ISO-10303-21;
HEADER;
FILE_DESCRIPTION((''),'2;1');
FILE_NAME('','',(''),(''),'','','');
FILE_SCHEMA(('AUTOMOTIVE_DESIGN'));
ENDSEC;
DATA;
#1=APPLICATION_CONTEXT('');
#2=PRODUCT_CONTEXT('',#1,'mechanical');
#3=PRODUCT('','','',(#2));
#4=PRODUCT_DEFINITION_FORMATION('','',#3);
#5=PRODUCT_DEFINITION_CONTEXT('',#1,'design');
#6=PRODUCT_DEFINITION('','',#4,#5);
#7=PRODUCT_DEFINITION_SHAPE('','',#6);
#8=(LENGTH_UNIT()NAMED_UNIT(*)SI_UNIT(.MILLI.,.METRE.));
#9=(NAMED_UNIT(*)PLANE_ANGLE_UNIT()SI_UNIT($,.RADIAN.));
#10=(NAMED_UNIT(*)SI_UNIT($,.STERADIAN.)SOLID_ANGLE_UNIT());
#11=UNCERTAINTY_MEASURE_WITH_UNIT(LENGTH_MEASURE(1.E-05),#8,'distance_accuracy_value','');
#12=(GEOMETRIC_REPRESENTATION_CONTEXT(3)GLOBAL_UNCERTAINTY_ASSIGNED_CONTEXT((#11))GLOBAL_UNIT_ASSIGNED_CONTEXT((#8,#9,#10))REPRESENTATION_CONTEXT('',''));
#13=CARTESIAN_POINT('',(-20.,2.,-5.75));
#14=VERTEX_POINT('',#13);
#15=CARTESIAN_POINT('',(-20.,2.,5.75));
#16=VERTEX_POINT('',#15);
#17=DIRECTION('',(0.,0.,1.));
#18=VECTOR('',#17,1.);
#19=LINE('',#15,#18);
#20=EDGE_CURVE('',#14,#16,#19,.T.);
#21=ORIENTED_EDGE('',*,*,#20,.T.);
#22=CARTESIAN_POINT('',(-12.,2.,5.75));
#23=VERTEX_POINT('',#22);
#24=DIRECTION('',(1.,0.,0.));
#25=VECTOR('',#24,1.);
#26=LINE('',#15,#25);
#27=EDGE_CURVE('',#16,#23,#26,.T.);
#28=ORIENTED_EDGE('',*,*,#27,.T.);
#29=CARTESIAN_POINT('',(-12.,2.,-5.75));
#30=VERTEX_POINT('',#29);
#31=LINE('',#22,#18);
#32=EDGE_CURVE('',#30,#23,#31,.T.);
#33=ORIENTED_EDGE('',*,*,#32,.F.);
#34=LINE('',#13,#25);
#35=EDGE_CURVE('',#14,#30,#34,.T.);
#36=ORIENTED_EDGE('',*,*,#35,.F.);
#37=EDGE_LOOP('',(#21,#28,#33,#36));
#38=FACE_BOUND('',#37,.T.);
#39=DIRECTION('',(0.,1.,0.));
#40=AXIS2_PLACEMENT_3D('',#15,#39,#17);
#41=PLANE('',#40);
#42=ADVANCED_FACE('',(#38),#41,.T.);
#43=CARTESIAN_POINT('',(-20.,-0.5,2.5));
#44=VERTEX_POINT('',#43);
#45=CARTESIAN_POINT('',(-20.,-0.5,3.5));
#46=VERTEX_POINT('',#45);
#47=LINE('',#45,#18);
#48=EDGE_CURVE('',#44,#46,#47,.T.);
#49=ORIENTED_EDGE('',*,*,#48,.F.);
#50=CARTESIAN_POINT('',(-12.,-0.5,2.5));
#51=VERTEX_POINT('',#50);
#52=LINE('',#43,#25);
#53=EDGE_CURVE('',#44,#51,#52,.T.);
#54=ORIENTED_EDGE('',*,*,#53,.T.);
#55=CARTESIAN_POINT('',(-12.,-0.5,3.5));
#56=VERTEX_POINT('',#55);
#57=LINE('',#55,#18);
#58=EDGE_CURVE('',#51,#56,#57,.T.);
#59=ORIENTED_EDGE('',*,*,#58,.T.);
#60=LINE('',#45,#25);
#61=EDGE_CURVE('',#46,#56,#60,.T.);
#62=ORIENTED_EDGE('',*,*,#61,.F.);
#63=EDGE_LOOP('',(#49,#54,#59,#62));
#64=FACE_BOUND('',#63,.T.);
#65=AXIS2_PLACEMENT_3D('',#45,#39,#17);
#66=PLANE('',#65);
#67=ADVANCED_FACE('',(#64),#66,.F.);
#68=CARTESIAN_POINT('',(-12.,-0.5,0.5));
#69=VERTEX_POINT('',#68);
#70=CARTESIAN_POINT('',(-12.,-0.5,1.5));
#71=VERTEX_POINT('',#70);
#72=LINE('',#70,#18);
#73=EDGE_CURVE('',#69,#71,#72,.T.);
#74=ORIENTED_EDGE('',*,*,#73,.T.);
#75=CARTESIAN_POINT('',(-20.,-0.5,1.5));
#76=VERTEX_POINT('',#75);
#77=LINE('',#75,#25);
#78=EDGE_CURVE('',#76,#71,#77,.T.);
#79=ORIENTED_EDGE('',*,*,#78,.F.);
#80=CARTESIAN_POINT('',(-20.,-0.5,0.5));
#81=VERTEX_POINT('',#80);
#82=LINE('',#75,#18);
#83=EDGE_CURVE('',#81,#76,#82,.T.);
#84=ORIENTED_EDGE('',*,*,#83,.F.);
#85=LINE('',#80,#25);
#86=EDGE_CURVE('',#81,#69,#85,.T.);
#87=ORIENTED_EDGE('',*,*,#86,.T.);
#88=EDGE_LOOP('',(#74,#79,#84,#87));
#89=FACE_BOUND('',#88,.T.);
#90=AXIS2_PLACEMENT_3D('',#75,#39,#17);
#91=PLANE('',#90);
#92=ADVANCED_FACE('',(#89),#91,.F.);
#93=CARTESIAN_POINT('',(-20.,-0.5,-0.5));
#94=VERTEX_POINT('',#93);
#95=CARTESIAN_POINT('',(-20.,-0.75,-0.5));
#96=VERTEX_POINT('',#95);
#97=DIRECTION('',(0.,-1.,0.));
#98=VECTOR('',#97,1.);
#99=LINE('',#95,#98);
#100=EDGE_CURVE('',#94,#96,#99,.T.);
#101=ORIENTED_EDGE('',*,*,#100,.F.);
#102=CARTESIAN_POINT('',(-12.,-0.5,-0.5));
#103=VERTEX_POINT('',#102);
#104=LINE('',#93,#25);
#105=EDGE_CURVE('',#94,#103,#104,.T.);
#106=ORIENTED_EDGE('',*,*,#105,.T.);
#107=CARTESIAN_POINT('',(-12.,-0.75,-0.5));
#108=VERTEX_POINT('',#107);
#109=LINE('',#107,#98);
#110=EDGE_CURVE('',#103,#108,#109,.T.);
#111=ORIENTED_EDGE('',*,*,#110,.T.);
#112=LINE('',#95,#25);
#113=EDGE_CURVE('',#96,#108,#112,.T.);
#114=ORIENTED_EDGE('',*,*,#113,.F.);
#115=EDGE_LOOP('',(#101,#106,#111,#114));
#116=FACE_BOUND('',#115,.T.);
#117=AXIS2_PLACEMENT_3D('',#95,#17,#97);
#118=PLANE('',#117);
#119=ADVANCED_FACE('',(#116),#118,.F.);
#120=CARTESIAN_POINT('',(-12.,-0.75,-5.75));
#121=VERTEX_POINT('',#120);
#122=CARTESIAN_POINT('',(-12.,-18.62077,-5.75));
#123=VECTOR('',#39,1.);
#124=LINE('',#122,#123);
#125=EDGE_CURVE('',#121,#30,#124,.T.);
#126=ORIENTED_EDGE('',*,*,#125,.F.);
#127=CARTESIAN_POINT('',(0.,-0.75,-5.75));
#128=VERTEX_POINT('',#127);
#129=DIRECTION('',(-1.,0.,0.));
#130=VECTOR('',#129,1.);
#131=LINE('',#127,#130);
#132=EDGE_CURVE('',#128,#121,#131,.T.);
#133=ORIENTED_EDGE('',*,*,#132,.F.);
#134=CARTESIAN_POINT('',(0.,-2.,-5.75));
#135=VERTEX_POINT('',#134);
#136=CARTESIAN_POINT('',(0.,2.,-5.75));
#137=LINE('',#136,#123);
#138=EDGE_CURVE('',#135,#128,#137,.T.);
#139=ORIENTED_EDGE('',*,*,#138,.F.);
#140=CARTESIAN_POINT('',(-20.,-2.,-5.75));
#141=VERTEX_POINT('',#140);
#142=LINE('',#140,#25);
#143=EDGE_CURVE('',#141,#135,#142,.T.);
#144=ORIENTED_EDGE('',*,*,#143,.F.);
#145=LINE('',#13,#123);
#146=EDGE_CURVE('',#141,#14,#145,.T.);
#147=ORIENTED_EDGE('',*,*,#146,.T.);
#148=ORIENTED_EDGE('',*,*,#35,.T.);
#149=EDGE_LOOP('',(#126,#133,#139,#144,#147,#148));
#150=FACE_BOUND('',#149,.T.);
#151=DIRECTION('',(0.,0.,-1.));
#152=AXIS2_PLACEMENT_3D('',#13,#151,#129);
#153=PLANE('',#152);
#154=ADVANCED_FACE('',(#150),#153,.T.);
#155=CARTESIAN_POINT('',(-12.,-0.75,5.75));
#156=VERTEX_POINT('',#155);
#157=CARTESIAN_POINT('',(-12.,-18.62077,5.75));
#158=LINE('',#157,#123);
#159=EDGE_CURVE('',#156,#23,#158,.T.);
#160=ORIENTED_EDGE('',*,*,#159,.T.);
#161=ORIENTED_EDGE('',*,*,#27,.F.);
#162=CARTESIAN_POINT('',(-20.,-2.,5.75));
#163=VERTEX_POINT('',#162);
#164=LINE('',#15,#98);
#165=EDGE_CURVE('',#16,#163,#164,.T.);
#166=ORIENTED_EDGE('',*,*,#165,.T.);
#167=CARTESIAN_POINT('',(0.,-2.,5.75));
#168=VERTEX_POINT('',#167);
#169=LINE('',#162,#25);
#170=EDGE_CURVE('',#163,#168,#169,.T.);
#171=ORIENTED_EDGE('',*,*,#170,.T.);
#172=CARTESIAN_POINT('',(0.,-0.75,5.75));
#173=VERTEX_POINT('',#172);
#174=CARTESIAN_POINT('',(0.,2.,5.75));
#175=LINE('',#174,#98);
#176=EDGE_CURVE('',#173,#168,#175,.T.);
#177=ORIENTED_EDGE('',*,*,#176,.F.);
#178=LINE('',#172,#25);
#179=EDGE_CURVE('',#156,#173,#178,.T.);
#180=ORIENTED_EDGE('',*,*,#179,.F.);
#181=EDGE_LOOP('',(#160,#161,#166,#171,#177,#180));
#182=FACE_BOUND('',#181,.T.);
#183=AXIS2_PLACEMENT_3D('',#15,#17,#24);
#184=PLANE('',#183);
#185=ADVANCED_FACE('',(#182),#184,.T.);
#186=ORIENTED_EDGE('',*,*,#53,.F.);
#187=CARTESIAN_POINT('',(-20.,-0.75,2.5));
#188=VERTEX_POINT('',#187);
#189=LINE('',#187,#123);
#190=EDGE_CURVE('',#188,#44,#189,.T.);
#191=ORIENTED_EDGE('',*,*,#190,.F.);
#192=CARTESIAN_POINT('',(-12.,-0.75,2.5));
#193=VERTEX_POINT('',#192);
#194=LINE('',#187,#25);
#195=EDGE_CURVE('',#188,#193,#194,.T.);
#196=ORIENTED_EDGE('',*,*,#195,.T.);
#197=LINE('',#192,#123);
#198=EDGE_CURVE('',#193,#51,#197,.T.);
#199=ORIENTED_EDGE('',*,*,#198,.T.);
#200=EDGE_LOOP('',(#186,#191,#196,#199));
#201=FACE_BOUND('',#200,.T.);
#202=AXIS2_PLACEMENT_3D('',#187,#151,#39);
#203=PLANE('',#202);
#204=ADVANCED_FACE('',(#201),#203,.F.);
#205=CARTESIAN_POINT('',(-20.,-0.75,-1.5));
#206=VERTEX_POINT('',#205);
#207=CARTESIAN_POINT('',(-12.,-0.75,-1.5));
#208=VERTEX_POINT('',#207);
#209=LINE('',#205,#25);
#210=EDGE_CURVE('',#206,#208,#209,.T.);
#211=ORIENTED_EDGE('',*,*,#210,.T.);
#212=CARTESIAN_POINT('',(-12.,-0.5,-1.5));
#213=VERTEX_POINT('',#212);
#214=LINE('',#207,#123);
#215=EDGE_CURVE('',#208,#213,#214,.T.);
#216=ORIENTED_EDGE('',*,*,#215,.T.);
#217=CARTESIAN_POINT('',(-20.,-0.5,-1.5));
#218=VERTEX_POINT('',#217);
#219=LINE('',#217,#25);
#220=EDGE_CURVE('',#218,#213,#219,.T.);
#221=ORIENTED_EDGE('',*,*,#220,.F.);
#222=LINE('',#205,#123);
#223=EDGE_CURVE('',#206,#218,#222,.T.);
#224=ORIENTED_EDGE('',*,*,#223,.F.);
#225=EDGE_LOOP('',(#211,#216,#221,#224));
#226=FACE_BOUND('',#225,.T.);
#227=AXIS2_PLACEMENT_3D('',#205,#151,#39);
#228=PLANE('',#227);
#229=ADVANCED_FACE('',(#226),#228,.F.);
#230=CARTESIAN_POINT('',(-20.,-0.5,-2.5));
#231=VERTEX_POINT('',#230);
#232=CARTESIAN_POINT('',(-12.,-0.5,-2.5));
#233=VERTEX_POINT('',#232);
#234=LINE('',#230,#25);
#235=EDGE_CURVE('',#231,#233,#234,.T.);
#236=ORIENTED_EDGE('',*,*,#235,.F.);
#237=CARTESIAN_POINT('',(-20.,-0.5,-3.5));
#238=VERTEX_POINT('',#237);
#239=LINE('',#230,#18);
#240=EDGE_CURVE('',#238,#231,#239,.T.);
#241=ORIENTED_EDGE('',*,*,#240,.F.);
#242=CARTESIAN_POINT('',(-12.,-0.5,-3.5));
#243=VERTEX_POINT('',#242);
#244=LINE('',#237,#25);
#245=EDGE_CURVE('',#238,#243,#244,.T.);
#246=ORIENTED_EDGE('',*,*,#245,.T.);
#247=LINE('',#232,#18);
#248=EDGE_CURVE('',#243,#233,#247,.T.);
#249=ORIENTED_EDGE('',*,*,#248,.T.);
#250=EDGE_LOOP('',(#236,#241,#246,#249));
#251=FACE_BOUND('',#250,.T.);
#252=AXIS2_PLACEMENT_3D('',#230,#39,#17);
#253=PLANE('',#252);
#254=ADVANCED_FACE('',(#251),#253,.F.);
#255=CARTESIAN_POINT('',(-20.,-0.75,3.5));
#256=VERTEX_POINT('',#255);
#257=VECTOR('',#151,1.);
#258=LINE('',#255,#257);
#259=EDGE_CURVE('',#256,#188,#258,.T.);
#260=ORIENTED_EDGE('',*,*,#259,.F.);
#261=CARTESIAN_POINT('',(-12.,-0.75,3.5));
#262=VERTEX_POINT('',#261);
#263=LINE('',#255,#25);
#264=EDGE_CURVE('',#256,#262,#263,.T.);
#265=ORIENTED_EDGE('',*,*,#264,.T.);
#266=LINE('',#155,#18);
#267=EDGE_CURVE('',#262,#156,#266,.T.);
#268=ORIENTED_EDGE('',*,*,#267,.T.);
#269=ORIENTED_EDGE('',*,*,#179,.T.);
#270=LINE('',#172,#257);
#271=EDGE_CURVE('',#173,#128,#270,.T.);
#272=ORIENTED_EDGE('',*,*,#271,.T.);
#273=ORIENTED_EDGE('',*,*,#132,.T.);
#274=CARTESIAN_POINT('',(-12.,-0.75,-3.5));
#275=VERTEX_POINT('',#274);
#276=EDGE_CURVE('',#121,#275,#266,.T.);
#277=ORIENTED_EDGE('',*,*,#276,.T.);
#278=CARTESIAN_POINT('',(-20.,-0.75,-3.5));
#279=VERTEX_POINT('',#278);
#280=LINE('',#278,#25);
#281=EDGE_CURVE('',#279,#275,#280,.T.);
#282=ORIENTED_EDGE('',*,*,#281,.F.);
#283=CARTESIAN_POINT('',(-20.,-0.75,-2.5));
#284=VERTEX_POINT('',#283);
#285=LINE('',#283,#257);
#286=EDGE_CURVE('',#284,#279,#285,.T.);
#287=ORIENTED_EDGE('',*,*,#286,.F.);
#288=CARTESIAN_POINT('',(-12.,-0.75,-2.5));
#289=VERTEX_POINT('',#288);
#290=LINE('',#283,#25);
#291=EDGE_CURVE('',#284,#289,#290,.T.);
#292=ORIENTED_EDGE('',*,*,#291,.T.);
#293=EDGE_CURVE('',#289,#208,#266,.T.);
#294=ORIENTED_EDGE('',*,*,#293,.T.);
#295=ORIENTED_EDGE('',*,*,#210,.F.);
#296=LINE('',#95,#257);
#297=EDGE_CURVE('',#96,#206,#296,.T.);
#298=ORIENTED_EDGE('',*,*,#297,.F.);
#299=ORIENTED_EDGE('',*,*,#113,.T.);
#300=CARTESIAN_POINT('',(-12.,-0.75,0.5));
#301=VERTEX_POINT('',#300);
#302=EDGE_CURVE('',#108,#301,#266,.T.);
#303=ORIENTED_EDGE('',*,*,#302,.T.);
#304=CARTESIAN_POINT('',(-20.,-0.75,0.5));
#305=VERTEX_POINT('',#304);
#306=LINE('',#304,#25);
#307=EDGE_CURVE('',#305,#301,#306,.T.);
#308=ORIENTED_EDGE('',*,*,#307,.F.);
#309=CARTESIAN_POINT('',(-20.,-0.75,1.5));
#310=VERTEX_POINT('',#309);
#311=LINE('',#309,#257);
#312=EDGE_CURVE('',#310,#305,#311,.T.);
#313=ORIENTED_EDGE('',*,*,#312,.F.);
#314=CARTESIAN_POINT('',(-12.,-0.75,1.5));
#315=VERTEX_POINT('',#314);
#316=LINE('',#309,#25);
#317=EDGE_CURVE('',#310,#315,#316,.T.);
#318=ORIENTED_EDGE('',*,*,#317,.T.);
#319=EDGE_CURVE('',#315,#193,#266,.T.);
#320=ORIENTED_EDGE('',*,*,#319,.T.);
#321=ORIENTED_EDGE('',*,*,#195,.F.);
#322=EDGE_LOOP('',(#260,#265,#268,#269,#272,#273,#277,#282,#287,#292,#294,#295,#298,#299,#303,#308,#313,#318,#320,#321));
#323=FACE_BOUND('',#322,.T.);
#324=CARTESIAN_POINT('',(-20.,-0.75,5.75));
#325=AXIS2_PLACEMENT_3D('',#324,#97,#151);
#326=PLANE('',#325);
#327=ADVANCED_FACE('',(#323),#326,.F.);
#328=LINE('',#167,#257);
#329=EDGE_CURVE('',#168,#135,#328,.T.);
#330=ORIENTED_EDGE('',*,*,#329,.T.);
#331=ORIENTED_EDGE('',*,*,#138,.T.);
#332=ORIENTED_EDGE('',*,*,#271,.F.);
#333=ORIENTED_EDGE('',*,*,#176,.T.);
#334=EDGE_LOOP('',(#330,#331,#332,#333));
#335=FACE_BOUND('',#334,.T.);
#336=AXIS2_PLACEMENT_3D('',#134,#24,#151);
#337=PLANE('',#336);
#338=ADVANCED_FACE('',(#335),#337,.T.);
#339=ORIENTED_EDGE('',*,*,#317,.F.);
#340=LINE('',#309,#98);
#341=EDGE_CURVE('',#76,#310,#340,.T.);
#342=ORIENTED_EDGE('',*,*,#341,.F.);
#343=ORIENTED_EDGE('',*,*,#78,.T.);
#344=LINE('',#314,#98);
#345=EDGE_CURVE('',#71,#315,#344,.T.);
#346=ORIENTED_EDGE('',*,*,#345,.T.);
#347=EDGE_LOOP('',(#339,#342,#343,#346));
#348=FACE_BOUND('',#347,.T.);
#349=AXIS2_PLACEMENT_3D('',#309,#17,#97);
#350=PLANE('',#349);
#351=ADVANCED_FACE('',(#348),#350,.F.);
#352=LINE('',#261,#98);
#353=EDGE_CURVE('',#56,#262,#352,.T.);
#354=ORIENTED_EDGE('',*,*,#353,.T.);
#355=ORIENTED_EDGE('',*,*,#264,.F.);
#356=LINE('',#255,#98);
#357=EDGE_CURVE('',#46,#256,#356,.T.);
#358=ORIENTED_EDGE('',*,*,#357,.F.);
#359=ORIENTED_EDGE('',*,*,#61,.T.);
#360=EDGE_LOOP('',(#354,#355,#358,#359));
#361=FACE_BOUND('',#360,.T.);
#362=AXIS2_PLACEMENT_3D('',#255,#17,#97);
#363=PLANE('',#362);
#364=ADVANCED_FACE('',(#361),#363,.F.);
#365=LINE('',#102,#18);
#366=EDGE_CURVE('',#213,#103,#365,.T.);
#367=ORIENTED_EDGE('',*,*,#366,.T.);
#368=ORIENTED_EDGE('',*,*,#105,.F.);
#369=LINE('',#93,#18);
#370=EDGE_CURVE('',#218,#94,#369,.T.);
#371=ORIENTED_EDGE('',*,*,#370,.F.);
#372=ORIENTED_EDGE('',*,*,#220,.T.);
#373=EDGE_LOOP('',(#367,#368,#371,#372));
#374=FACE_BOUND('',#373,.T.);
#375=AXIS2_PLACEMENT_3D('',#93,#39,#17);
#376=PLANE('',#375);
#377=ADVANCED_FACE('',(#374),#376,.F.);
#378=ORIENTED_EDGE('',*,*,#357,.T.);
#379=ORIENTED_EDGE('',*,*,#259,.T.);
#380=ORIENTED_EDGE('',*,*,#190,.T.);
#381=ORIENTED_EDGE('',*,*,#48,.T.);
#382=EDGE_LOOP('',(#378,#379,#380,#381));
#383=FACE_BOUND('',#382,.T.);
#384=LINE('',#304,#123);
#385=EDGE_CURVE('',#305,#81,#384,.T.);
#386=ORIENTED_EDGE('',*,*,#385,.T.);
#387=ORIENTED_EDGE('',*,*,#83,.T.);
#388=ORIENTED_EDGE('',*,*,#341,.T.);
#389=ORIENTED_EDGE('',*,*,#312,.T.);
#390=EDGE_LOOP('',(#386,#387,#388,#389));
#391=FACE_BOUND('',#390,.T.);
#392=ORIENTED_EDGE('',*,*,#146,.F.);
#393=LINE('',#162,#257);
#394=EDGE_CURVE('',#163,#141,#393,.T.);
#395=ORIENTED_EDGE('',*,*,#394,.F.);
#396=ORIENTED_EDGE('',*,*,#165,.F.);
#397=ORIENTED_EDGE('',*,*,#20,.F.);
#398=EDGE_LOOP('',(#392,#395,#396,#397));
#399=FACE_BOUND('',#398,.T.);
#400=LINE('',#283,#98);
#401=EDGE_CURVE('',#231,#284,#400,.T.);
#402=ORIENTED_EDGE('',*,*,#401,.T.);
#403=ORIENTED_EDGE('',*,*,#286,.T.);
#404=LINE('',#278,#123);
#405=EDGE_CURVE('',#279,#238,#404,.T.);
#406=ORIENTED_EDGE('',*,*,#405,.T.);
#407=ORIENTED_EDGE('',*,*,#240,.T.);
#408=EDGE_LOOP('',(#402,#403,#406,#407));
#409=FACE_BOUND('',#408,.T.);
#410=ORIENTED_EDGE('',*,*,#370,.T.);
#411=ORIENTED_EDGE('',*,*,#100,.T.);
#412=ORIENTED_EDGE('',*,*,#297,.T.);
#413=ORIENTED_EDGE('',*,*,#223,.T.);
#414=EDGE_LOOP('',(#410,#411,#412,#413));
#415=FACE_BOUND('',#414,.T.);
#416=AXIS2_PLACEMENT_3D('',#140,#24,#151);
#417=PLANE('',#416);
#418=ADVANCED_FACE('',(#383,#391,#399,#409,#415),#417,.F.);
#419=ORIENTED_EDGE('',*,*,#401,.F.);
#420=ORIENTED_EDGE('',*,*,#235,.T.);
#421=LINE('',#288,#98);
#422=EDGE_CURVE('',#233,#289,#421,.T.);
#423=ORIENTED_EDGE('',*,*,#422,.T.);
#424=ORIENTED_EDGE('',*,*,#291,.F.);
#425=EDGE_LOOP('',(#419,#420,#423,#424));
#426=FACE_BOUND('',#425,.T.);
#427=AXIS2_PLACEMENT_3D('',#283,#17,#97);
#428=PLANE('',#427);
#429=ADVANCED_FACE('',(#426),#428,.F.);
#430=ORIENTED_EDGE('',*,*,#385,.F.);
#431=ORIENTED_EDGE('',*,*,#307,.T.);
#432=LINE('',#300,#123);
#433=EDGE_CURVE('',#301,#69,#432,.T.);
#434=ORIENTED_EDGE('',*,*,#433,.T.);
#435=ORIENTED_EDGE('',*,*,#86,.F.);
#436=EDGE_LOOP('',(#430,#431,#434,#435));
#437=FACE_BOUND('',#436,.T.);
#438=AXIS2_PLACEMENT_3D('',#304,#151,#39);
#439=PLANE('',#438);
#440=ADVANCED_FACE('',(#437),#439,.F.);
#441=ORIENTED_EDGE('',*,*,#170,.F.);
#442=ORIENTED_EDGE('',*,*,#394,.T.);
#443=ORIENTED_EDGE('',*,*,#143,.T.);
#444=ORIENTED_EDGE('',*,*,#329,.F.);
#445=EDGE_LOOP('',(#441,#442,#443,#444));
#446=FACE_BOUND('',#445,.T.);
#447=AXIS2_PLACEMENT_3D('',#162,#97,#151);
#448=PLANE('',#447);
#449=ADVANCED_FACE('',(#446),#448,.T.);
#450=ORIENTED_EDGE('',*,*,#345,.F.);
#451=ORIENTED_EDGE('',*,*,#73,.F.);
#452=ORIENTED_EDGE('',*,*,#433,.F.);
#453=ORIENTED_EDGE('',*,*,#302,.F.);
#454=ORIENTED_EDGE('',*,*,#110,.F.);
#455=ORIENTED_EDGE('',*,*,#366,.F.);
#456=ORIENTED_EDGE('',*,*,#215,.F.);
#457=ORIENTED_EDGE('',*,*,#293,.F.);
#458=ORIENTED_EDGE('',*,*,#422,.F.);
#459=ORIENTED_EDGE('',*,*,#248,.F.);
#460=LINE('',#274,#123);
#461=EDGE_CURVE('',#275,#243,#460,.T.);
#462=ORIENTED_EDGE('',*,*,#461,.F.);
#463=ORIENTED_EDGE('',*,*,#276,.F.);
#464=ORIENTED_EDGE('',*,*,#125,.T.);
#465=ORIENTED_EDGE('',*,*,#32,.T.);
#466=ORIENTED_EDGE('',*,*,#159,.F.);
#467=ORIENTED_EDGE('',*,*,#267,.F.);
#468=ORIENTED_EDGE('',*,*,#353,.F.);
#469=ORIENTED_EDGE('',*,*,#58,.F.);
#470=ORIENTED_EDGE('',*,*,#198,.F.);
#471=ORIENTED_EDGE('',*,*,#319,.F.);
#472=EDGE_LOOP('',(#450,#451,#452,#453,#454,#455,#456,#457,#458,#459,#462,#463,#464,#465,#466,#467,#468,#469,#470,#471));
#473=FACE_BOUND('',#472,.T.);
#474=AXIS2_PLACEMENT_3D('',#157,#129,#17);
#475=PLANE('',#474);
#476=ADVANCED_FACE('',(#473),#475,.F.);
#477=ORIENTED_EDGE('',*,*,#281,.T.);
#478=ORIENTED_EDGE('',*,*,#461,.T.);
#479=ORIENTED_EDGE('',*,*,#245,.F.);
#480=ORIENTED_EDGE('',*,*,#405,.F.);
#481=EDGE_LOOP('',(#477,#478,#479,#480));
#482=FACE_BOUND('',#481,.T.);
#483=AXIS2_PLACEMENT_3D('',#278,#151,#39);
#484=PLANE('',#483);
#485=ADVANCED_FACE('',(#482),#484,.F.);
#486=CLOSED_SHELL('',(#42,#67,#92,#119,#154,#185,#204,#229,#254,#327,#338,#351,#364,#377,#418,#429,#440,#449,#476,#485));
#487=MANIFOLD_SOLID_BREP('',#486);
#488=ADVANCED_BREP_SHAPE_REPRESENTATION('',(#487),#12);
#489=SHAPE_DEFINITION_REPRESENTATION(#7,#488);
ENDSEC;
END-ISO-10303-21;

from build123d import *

# Parameters (mm, degrees)
INSULATOR_BODY_SKETCH_W    = 11.5
INSULATOR_BODY_SKETCH_H    = 4
INSULATOR_BODY_DEPTH       = 20
INSULATOR_TONGUE_SKETCH_W  = 12
INSULATOR_TONGUE_SKETCH_H  = 11.5
INSULATOR_TONGUE_DEPTH     = 2.75
CONTACT_SLOT_SKETCH_W      = 1
CONTACT_SLOT_SKETCH_H      = 0.25
CONTACT_SLOT_DEPTH         = 9
CONTACT_SLOT_PATTERN_COUNT = 4
CONTACT_SLOT_PATTERN_PITCH = 2


with BuildPart() as part:
    # Insulator_body_sketch → Insulator_body (new body)
    with BuildSketch(Plane(origin=(0, 0, 0), x_dir=(0, 0, -1), z_dir=(1, 0, 0))):
        Rectangle(INSULATOR_BODY_SKETCH_W, INSULATOR_BODY_SKETCH_H)
    extrude(amount=-INSULATOR_BODY_DEPTH)

    # Insulator_tongue_sketch → Insulator_tongue (cut)
    with BuildSketch(Plane(origin=(0, 2, 0), x_dir=(1, 0, 0), z_dir=(0, 1, 0))):
        with Locations((-6, 0)):
            Rectangle(INSULATOR_TONGUE_SKETCH_W, INSULATOR_TONGUE_SKETCH_H)
    extrude(amount=-INSULATOR_TONGUE_DEPTH, mode=Mode.SUBTRACT)

    # Contact_slot_sketch → Contact_slot (cut, through all)
    with BuildSketch(Plane(origin=(-12, 0, 0), x_dir=(0, 0, -1), z_dir=(1, 0, 0))):
        with Locations((-3, -0.625)):
            Rectangle(CONTACT_SLOT_SKETCH_W, CONTACT_SLOT_SKETCH_H)
    contact_slot = extrude(amount=-CONTACT_SLOT_DEPTH, mode=Mode.SUBTRACT)

    # Contact_slot_pattern: Contact_slot ×4
    with Locations(*[(0, 0, -i * CONTACT_SLOT_PATTERN_PITCH) for i in range(1, CONTACT_SLOT_PATTERN_COUNT)]):
        add(contact_slot, mode=Mode.SUBTRACT)


solid = part.part
